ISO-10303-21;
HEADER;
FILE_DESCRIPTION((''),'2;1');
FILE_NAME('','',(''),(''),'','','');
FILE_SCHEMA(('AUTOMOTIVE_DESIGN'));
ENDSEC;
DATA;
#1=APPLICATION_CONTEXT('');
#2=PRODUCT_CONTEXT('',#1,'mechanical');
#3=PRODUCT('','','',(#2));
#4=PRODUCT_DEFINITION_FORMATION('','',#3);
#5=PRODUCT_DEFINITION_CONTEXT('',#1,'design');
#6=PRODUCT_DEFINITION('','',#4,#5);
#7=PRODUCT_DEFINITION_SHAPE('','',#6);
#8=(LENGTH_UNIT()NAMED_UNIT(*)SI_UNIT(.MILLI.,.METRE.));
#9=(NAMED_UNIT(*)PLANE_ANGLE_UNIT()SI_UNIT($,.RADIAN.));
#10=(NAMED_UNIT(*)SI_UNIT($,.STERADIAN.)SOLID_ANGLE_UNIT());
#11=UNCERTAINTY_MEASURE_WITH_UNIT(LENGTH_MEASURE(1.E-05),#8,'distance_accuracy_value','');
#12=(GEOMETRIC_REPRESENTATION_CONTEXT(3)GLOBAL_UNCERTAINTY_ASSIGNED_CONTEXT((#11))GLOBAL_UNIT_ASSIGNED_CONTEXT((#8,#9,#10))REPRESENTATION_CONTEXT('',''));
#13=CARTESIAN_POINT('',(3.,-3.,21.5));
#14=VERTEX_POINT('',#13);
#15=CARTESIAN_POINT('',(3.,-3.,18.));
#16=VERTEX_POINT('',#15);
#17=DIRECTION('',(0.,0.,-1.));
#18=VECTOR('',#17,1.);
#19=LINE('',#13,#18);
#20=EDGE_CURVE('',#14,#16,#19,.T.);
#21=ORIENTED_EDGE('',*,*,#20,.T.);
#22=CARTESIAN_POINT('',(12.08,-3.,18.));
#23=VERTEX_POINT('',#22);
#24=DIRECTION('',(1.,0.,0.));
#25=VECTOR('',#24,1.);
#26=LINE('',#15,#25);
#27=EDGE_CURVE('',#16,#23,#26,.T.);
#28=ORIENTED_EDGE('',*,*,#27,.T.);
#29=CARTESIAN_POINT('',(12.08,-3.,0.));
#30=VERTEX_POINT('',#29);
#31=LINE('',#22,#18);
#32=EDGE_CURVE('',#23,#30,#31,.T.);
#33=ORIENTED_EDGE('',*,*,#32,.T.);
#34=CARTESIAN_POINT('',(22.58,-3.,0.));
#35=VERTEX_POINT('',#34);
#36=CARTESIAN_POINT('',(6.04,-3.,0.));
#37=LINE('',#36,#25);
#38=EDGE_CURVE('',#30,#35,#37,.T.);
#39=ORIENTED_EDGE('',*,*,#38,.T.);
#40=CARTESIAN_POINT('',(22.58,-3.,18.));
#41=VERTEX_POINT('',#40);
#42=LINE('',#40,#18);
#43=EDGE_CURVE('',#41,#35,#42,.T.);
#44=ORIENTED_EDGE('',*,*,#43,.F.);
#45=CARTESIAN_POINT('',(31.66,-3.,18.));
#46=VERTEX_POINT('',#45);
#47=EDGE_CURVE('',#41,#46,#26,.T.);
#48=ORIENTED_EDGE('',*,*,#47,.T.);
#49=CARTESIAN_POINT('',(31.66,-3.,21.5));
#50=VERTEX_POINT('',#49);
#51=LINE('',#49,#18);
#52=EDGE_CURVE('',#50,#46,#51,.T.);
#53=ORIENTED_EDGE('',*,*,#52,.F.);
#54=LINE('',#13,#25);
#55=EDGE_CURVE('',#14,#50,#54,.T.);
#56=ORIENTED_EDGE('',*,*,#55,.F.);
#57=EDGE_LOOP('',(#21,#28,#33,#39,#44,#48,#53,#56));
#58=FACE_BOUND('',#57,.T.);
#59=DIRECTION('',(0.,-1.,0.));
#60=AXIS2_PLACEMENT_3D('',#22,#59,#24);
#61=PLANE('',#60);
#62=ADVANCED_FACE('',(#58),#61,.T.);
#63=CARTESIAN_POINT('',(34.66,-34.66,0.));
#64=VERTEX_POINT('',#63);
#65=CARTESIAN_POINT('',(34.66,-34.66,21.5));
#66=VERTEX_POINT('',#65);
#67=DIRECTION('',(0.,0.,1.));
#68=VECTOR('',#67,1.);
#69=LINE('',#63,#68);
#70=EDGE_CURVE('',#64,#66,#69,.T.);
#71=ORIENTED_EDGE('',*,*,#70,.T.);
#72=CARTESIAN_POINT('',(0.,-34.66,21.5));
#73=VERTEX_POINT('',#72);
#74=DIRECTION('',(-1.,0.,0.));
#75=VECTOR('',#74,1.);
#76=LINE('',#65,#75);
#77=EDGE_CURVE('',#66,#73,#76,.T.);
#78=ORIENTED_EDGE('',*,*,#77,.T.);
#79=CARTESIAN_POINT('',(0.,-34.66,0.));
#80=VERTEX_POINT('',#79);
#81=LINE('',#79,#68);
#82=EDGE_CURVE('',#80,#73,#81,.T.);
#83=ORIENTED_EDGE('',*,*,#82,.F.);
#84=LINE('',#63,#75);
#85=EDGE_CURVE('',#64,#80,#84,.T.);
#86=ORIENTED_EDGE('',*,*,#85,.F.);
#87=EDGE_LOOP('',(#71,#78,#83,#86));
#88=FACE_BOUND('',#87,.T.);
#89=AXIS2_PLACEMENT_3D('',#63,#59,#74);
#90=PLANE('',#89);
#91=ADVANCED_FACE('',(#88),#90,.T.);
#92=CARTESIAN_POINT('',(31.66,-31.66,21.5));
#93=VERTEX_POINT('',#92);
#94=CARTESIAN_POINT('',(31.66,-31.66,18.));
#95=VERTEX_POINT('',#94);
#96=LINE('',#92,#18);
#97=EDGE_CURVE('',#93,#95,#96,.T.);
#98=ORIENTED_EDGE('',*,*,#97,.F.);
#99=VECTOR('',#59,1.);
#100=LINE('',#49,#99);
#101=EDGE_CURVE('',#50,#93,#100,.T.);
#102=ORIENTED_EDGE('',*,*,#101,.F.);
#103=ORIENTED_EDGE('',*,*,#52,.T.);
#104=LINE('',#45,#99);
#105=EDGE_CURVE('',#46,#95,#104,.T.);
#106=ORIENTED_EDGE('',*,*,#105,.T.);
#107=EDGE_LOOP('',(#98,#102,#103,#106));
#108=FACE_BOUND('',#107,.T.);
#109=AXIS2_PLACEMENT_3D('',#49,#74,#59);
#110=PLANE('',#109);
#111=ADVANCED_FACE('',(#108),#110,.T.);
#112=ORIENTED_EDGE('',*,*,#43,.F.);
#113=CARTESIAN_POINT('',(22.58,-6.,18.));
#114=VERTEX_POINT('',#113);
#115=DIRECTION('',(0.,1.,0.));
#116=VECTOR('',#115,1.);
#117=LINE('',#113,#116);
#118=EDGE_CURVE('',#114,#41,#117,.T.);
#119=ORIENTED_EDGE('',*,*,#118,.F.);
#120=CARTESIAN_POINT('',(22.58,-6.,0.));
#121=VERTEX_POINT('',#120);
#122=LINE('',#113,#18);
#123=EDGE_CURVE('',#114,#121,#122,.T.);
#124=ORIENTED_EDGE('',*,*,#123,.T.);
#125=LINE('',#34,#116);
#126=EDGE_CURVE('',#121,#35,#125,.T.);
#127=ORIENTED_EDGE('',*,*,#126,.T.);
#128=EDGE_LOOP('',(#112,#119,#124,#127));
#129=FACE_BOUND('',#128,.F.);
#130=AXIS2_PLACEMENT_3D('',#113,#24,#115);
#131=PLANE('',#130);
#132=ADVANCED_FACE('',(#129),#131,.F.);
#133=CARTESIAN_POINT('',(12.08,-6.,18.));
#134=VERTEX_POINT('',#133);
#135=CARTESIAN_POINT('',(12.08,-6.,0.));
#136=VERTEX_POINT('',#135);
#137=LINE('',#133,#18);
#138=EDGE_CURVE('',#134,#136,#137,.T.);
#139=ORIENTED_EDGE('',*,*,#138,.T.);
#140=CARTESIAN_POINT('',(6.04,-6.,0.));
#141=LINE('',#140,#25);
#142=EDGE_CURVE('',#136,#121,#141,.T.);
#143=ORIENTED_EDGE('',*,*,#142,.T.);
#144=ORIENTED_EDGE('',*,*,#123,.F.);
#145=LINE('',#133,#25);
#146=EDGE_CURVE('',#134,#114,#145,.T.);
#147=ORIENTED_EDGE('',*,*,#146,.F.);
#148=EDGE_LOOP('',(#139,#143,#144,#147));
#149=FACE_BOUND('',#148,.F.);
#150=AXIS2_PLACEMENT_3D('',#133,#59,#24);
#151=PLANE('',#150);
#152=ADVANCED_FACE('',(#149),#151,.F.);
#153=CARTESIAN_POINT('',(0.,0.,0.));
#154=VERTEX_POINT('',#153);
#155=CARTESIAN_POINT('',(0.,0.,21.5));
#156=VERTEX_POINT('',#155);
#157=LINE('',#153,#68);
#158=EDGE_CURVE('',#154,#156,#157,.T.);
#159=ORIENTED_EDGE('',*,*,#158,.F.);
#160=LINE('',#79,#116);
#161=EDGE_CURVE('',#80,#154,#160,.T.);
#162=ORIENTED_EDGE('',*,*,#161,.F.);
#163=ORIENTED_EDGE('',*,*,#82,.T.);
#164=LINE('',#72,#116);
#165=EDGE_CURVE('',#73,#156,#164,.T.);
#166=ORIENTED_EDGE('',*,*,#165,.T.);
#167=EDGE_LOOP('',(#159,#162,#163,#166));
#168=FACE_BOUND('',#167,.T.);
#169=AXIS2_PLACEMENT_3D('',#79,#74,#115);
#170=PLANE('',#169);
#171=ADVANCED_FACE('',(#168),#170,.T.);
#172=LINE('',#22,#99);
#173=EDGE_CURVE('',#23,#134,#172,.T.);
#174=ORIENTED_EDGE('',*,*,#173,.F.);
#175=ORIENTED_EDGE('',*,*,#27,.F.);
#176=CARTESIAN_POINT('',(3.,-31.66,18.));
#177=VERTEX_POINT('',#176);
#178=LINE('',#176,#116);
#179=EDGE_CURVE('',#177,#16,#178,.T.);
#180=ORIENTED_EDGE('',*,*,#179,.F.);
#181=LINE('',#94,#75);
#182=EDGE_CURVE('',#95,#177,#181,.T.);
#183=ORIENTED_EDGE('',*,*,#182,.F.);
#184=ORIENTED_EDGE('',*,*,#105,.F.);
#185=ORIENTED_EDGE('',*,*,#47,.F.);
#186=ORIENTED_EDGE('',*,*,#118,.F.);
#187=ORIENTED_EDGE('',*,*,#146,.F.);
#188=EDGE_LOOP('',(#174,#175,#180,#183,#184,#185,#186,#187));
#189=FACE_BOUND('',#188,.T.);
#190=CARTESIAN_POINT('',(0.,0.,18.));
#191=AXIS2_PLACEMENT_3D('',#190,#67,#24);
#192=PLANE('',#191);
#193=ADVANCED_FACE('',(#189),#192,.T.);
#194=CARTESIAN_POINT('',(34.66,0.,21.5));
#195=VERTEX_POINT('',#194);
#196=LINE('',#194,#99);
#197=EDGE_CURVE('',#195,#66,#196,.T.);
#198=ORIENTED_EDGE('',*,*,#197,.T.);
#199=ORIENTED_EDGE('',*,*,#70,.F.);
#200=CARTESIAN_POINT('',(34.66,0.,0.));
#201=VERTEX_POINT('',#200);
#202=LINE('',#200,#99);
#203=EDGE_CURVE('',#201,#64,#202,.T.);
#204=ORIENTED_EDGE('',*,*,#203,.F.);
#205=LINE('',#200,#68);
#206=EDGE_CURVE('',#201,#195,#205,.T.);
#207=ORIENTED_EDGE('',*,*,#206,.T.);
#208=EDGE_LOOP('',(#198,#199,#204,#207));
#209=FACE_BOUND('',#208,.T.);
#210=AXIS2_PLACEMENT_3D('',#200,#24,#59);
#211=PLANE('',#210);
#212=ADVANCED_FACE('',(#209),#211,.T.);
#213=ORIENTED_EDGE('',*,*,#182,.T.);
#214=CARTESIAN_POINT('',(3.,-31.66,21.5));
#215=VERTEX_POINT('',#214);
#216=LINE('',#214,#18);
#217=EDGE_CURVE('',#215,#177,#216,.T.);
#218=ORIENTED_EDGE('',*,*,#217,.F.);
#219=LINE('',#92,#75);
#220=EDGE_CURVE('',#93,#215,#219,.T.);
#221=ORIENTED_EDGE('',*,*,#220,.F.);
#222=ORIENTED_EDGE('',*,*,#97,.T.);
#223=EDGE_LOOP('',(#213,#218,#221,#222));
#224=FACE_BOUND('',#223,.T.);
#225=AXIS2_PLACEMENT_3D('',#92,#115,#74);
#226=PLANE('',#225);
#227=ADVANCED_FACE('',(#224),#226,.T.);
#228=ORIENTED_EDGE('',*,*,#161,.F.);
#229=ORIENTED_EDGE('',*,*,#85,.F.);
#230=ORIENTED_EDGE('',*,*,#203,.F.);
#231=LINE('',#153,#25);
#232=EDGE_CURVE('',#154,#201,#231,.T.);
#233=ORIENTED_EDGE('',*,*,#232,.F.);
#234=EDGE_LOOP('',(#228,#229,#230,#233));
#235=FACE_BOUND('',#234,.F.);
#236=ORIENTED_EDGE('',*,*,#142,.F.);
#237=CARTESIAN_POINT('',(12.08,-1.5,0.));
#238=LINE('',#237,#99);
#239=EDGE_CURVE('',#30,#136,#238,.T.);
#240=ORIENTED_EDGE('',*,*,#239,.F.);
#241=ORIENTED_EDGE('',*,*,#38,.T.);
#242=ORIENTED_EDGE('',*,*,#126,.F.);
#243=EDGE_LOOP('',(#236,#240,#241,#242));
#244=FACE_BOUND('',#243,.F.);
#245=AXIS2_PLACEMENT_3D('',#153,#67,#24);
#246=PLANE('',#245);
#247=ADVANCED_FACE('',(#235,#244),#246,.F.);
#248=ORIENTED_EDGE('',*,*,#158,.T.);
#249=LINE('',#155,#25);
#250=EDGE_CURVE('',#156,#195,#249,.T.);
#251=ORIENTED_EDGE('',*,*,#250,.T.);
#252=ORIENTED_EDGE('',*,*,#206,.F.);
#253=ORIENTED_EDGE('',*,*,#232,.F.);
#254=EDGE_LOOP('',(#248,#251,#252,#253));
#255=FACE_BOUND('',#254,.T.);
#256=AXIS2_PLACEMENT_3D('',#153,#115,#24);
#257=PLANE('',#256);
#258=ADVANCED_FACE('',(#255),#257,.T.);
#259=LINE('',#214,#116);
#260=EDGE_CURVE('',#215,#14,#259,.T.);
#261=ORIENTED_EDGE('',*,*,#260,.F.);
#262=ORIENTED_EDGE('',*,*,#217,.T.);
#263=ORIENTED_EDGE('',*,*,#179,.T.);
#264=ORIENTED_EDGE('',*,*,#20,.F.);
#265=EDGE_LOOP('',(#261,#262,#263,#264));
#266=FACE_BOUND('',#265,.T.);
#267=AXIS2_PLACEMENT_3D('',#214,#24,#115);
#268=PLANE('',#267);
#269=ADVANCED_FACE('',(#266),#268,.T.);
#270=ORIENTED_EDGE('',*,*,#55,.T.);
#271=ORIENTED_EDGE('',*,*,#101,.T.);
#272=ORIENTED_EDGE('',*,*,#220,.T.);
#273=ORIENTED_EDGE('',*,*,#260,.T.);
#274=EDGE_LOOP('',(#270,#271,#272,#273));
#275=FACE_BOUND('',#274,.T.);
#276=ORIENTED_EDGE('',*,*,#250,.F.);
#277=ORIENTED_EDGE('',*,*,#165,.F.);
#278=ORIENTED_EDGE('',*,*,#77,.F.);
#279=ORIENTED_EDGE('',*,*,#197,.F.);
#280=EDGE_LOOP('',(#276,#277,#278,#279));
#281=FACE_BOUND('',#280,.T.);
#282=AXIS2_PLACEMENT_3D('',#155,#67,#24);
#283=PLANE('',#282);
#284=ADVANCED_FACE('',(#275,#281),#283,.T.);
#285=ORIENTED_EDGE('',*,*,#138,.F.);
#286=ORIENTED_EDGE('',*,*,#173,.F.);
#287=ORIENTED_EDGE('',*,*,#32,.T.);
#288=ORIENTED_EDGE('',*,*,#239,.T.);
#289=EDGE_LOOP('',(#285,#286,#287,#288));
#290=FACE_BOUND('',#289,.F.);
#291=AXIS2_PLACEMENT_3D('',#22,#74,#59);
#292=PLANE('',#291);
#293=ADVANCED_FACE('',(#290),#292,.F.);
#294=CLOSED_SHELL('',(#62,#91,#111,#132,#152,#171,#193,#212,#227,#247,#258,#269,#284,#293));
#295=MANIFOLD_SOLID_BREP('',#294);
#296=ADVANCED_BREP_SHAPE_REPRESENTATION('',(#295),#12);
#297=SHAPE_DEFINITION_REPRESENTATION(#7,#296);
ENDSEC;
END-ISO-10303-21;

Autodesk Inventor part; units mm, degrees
ref_plane "YZ Plane" through (0, 0, 0) normal (1, 0, 0) x (0, 1, 0)
ref_plane "XZ Plane" through (0, 0, 0) normal (0, 1, 0) x (-1, 0, 0)
ref_plane "XY Plane" through (0, 0, 0) normal (0, 0, 1) x (1, 0, 0)
sketch "Sketch1" plane through (0, 0, 0) normal (0, 0, 1) x (1, 0, 0)
  line L0 (0, 0) -> (34.66, 0)
  line L1 (34.66, 0) -> (34.66, -34.66)
  line L2 (34.66, -34.66) -> (0, -34.66)
  line L3 (0, -34.66) -> (0, 0)
  dimension "d0" = 34.66
  dimension "d1" = 34.66
extrude "Extrusion1" add sketch "Sketch1" along normal blind 21.5
sketch "Sketch2" plane through (0, 0, 21.5) normal (0, 0, 1) x (1, 0, 0)
  line L0 (0, 0) -> (0, -34.66) projected
  line L1 (3, -3) -> (31.66, -3)
  line L2 (31.66, -3) -> (31.66, -31.66)
  line L3 (31.66, -31.66) -> (3, -31.66)
  line L4 (3, -31.66) -> (3, -3)
  line L5 (34.66, 0) -> (0, 0) projected
  line L6 (0, -34.66) -> (34.66, -34.66) projected
  line L7 (34.66, 0) -> (34.66, -34.66) projected
  dimension "d8" = 3
  dimension "d9" = 3
  dimension "d10" = 3
  dimension "d11" = 3
extrude "Extrusion2" cut sketch "Sketch2" against normal blind 3.5 contours L1 L2 L3 L4
sketch "Sketch3" plane through (0, 0, 18) normal (0, 0, 1) x (1, 0, 0)
  line L0 (12.08, -3) -> (12.08, -6)
  line L1 (12.08, -6) -> (22.58, -6)
  line L2 (22.58, -6) -> (22.58, -3)
  line L3 (12.08, -3) -> (22.58, -3)
  line L4 (3, -3) -> (31.66, -3) projected
  line L5 (3, -31.66) -> (3, -3) projected
  line L6 (31.66, -3) -> (31.66, -31.66) projected
  line L7 (31.66, -31.66) -> (3, -31.66) projected
  point P0 (0, 0)
  dimension "d18" = 9.08
  dimension "d19" = 9.08
  dimension "d20" = 3
  dimension "d21" = 28.66
extrude "Extrusion3" cut sketch "Sketch3" against normal blind 19 contours L3 L2 L1 L0
properties part number "Pantalla"
